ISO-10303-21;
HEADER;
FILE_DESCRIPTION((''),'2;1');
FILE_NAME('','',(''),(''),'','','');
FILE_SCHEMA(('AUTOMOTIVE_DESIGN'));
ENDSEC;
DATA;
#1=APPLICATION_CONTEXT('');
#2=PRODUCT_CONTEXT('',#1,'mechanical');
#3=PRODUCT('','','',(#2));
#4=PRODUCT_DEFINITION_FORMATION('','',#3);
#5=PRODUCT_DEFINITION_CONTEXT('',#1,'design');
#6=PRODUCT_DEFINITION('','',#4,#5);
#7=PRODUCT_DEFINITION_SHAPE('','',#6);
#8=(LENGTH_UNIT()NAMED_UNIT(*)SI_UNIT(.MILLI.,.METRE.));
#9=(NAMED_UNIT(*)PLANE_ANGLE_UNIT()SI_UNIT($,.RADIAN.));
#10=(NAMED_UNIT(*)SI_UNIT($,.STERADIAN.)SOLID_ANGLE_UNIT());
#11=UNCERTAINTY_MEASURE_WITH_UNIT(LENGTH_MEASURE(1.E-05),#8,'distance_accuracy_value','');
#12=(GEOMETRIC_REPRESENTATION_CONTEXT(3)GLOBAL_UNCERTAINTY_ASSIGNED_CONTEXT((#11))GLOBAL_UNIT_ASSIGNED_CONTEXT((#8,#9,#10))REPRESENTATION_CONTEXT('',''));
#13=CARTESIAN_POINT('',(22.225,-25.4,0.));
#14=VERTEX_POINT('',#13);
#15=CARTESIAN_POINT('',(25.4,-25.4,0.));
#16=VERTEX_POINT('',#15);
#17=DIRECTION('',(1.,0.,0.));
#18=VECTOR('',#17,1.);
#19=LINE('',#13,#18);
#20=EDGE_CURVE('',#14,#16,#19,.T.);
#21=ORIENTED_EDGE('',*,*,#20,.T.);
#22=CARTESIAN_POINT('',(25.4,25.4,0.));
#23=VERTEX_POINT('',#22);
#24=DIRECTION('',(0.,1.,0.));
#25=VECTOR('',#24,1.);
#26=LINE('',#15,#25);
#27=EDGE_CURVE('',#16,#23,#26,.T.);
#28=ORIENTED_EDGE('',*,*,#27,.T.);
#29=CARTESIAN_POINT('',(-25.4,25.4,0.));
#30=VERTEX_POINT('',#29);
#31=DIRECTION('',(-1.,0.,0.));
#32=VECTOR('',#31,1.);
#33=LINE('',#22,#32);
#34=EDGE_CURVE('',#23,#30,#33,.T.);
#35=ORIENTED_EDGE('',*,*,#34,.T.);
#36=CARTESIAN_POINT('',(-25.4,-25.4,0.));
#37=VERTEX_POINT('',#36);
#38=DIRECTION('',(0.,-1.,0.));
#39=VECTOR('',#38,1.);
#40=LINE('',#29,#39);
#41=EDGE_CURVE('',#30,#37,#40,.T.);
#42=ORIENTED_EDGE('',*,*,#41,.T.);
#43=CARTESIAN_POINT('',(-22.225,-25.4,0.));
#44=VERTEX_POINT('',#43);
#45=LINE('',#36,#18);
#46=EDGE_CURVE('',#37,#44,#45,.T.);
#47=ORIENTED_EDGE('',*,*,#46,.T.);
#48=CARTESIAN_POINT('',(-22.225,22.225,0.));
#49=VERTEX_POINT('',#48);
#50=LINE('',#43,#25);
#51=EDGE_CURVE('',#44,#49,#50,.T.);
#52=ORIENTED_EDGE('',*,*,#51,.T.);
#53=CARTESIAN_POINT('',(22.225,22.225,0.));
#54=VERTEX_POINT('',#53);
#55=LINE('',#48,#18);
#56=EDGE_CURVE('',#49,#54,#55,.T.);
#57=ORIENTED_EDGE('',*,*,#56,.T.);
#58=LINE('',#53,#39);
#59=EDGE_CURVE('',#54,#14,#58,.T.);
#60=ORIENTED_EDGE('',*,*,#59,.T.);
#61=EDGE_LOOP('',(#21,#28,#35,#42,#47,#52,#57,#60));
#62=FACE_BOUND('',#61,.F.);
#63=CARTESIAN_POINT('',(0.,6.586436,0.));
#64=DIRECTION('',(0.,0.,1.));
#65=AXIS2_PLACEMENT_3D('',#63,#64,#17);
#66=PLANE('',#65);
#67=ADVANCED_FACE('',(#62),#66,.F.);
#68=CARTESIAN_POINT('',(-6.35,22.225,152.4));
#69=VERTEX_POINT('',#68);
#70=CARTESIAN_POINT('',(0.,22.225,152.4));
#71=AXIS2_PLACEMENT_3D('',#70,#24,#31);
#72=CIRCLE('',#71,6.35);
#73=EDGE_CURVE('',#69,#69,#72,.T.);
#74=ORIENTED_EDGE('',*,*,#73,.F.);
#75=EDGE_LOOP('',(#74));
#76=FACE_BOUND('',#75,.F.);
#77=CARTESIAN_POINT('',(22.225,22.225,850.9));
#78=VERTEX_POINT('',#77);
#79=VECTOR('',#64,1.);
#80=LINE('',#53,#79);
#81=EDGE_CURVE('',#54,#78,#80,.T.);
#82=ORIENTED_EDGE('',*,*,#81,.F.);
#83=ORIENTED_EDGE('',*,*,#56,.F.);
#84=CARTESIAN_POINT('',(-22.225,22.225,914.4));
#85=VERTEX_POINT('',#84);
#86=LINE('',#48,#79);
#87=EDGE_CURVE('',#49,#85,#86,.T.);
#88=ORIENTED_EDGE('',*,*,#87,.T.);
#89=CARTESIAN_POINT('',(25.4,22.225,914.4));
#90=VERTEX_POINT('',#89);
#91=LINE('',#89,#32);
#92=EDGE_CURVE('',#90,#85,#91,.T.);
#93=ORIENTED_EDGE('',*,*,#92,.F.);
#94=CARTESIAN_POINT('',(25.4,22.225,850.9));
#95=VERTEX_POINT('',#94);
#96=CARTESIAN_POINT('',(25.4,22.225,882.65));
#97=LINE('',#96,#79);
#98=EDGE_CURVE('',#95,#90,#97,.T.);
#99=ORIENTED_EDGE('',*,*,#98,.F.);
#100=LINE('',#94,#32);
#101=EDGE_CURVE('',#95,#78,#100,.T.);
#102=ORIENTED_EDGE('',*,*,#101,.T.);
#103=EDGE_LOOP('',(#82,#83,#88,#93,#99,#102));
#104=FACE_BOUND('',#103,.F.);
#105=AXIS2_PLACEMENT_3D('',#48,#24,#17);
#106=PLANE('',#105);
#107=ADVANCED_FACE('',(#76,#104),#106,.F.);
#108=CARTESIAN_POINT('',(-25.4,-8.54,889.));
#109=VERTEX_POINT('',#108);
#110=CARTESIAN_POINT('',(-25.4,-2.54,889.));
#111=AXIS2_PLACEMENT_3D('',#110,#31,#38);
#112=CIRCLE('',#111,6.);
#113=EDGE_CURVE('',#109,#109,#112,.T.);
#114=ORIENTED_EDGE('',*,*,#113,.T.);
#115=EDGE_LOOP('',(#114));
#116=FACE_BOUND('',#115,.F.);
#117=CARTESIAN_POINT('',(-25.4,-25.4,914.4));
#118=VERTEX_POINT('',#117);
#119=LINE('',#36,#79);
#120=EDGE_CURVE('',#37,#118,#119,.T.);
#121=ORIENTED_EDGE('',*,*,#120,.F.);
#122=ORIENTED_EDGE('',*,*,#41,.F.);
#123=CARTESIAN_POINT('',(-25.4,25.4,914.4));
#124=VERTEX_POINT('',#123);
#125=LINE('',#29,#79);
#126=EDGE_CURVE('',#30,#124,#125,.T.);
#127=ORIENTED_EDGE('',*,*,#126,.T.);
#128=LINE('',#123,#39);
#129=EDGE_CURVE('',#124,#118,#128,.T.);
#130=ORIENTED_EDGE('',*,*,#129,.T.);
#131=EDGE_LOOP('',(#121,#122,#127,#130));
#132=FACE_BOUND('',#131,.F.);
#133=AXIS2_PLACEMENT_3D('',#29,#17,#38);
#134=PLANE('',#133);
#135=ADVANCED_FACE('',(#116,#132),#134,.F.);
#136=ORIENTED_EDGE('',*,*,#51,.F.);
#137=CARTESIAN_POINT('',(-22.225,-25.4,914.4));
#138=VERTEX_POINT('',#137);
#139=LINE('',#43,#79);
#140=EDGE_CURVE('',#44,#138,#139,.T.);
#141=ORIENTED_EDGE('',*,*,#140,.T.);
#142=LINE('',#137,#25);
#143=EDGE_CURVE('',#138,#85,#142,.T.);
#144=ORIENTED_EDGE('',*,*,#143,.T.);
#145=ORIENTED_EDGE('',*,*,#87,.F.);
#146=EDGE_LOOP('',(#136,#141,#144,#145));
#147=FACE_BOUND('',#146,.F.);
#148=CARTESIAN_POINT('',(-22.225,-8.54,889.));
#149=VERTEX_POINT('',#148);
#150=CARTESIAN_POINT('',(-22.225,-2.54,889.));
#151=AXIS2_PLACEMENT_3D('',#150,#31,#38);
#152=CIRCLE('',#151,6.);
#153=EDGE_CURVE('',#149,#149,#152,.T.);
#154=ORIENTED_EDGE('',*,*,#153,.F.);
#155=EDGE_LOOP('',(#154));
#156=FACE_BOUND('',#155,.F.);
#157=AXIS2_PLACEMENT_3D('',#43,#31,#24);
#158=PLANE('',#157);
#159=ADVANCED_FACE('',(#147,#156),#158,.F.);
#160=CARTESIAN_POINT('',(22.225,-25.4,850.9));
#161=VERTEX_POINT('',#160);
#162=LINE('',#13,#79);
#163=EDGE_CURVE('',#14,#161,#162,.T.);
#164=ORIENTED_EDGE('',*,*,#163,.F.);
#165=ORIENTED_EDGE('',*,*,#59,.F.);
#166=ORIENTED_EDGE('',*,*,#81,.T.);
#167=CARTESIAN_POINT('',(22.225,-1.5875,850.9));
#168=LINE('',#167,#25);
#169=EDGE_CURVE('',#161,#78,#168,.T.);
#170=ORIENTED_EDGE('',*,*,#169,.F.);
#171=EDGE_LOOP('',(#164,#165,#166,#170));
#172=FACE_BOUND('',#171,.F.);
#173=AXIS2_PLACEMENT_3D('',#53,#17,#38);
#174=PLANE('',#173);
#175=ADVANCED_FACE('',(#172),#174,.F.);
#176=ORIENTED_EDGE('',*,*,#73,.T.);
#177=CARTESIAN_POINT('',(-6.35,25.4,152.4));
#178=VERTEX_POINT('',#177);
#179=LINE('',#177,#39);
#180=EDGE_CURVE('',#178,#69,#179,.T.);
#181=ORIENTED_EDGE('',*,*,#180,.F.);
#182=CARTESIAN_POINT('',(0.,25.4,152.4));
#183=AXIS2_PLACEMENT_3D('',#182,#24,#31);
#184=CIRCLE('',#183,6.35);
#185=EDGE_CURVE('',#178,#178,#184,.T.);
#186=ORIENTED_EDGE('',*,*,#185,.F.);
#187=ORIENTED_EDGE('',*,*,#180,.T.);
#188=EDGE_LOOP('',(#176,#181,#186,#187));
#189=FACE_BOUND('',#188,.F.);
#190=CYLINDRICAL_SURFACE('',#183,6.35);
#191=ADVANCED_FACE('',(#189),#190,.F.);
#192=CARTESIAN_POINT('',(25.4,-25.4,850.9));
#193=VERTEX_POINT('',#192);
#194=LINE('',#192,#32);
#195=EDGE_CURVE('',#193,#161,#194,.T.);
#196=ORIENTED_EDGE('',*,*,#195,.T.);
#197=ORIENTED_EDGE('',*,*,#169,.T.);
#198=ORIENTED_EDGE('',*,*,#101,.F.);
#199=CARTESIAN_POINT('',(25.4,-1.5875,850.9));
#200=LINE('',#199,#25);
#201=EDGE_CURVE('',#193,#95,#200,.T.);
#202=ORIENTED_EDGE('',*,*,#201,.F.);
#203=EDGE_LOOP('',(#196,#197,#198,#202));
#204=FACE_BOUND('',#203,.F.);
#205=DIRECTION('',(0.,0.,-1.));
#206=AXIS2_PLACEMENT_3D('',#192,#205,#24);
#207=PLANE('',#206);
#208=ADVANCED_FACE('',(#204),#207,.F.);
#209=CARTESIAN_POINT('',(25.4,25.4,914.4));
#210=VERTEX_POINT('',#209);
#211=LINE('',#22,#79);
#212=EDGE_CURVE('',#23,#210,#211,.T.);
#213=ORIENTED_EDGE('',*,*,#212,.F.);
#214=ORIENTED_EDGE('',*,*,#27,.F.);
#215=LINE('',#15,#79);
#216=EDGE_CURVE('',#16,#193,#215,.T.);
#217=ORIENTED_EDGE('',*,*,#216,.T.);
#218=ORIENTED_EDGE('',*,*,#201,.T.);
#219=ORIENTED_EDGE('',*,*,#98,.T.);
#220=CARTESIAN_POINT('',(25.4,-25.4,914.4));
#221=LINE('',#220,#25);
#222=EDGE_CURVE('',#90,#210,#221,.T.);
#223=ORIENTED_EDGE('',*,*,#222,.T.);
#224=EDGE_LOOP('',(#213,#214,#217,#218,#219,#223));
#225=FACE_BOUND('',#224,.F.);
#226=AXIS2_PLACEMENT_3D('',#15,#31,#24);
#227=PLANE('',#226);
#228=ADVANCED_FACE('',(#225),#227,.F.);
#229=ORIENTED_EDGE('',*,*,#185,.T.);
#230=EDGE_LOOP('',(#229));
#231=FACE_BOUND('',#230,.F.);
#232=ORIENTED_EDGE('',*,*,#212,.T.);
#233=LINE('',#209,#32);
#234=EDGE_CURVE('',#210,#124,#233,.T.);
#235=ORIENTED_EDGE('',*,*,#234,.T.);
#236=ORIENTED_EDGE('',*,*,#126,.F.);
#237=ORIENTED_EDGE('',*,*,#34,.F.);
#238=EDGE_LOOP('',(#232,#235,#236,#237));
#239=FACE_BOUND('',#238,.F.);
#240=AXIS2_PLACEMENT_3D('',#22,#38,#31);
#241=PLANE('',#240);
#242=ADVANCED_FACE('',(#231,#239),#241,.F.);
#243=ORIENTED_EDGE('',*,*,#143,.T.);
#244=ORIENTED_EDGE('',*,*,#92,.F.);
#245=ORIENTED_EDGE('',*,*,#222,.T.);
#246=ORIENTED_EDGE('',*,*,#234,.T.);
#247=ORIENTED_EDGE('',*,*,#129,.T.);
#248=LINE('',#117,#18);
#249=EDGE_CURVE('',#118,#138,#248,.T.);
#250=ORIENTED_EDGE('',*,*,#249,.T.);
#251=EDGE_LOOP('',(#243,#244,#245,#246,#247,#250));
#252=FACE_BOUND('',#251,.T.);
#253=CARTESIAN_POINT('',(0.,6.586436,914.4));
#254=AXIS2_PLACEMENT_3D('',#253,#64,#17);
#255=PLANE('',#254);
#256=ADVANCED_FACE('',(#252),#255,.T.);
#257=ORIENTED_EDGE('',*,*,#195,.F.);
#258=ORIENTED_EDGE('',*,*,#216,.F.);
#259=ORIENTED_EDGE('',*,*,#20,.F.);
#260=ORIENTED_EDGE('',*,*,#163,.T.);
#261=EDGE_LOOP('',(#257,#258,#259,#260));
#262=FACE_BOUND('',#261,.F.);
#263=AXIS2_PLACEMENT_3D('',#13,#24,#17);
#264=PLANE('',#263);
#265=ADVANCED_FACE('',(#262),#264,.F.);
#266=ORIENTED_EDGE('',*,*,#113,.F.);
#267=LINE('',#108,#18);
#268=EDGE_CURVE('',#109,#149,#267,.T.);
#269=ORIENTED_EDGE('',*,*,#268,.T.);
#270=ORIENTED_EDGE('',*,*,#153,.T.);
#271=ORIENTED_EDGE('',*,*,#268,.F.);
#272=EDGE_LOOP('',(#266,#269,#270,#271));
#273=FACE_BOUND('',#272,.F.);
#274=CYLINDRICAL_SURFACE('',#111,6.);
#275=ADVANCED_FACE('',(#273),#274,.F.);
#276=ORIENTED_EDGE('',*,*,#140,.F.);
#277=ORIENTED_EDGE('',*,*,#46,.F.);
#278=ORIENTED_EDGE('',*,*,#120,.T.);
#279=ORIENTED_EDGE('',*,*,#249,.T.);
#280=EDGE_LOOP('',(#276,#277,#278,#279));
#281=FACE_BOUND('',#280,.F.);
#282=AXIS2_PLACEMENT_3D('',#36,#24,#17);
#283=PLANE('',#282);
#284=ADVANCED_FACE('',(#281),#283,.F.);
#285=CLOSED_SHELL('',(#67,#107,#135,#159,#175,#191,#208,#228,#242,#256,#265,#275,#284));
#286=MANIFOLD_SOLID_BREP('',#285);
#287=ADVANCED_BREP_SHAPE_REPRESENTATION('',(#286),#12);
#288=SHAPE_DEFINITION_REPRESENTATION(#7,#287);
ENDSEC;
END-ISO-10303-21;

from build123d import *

# Parameters (mm, degrees)
F1_DEPTH = 914.4
F2_R     = 6
F3_DEPTH = 3.175
F4_W     = 47.625
F4_H     = 63.5
F5_DEPTH = 25.4
F6_R     = 6.35
F7_DEPTH = 25.4


with BuildPart() as f1:
    # F0 (on Top) → F1 (new body)
    with BuildSketch(Plane.XY):
        Polygon((22.225, -25.4), (25.4, -25.4), (25.4, 25.4), (-25.4, 25.4), (-25.4, -25.4), (-22.225, -25.4), (-22.225, 22.225), (22.225, 22.225), align=None)
    extrude(amount=F1_DEPTH)

    # F2 (on face) → F3 (cut, through all)
    with BuildSketch(Plane(origin=(-25.4, 0, 0), x_dir=(0, -1, 0), z_dir=(-1, 0, 0))):
        with Locations((2.54, 889)):
            Circle(F2_R)
    extrude(amount=-F3_DEPTH, mode=Mode.SUBTRACT)

    # F4 (on face) → F5 (cut)
    with BuildSketch(Plane.YZ.offset(25.4)):
        with Locations((-1.5875, 882.65)):
            Rectangle(F4_W, F4_H)
    extrude(amount=-F5_DEPTH, mode=Mode.SUBTRACT)

    # F6 (on face) → F7 (cut)
    with BuildSketch(Plane(origin=(0, 25.4, 0), x_dir=(-1, 0, 0), z_dir=(0, 1, 0))):
        with Locations((0, 152.4)):
            Circle(F6_R)
    extrude(amount=-F7_DEPTH, mode=Mode.SUBTRACT)


solid = f1.part
